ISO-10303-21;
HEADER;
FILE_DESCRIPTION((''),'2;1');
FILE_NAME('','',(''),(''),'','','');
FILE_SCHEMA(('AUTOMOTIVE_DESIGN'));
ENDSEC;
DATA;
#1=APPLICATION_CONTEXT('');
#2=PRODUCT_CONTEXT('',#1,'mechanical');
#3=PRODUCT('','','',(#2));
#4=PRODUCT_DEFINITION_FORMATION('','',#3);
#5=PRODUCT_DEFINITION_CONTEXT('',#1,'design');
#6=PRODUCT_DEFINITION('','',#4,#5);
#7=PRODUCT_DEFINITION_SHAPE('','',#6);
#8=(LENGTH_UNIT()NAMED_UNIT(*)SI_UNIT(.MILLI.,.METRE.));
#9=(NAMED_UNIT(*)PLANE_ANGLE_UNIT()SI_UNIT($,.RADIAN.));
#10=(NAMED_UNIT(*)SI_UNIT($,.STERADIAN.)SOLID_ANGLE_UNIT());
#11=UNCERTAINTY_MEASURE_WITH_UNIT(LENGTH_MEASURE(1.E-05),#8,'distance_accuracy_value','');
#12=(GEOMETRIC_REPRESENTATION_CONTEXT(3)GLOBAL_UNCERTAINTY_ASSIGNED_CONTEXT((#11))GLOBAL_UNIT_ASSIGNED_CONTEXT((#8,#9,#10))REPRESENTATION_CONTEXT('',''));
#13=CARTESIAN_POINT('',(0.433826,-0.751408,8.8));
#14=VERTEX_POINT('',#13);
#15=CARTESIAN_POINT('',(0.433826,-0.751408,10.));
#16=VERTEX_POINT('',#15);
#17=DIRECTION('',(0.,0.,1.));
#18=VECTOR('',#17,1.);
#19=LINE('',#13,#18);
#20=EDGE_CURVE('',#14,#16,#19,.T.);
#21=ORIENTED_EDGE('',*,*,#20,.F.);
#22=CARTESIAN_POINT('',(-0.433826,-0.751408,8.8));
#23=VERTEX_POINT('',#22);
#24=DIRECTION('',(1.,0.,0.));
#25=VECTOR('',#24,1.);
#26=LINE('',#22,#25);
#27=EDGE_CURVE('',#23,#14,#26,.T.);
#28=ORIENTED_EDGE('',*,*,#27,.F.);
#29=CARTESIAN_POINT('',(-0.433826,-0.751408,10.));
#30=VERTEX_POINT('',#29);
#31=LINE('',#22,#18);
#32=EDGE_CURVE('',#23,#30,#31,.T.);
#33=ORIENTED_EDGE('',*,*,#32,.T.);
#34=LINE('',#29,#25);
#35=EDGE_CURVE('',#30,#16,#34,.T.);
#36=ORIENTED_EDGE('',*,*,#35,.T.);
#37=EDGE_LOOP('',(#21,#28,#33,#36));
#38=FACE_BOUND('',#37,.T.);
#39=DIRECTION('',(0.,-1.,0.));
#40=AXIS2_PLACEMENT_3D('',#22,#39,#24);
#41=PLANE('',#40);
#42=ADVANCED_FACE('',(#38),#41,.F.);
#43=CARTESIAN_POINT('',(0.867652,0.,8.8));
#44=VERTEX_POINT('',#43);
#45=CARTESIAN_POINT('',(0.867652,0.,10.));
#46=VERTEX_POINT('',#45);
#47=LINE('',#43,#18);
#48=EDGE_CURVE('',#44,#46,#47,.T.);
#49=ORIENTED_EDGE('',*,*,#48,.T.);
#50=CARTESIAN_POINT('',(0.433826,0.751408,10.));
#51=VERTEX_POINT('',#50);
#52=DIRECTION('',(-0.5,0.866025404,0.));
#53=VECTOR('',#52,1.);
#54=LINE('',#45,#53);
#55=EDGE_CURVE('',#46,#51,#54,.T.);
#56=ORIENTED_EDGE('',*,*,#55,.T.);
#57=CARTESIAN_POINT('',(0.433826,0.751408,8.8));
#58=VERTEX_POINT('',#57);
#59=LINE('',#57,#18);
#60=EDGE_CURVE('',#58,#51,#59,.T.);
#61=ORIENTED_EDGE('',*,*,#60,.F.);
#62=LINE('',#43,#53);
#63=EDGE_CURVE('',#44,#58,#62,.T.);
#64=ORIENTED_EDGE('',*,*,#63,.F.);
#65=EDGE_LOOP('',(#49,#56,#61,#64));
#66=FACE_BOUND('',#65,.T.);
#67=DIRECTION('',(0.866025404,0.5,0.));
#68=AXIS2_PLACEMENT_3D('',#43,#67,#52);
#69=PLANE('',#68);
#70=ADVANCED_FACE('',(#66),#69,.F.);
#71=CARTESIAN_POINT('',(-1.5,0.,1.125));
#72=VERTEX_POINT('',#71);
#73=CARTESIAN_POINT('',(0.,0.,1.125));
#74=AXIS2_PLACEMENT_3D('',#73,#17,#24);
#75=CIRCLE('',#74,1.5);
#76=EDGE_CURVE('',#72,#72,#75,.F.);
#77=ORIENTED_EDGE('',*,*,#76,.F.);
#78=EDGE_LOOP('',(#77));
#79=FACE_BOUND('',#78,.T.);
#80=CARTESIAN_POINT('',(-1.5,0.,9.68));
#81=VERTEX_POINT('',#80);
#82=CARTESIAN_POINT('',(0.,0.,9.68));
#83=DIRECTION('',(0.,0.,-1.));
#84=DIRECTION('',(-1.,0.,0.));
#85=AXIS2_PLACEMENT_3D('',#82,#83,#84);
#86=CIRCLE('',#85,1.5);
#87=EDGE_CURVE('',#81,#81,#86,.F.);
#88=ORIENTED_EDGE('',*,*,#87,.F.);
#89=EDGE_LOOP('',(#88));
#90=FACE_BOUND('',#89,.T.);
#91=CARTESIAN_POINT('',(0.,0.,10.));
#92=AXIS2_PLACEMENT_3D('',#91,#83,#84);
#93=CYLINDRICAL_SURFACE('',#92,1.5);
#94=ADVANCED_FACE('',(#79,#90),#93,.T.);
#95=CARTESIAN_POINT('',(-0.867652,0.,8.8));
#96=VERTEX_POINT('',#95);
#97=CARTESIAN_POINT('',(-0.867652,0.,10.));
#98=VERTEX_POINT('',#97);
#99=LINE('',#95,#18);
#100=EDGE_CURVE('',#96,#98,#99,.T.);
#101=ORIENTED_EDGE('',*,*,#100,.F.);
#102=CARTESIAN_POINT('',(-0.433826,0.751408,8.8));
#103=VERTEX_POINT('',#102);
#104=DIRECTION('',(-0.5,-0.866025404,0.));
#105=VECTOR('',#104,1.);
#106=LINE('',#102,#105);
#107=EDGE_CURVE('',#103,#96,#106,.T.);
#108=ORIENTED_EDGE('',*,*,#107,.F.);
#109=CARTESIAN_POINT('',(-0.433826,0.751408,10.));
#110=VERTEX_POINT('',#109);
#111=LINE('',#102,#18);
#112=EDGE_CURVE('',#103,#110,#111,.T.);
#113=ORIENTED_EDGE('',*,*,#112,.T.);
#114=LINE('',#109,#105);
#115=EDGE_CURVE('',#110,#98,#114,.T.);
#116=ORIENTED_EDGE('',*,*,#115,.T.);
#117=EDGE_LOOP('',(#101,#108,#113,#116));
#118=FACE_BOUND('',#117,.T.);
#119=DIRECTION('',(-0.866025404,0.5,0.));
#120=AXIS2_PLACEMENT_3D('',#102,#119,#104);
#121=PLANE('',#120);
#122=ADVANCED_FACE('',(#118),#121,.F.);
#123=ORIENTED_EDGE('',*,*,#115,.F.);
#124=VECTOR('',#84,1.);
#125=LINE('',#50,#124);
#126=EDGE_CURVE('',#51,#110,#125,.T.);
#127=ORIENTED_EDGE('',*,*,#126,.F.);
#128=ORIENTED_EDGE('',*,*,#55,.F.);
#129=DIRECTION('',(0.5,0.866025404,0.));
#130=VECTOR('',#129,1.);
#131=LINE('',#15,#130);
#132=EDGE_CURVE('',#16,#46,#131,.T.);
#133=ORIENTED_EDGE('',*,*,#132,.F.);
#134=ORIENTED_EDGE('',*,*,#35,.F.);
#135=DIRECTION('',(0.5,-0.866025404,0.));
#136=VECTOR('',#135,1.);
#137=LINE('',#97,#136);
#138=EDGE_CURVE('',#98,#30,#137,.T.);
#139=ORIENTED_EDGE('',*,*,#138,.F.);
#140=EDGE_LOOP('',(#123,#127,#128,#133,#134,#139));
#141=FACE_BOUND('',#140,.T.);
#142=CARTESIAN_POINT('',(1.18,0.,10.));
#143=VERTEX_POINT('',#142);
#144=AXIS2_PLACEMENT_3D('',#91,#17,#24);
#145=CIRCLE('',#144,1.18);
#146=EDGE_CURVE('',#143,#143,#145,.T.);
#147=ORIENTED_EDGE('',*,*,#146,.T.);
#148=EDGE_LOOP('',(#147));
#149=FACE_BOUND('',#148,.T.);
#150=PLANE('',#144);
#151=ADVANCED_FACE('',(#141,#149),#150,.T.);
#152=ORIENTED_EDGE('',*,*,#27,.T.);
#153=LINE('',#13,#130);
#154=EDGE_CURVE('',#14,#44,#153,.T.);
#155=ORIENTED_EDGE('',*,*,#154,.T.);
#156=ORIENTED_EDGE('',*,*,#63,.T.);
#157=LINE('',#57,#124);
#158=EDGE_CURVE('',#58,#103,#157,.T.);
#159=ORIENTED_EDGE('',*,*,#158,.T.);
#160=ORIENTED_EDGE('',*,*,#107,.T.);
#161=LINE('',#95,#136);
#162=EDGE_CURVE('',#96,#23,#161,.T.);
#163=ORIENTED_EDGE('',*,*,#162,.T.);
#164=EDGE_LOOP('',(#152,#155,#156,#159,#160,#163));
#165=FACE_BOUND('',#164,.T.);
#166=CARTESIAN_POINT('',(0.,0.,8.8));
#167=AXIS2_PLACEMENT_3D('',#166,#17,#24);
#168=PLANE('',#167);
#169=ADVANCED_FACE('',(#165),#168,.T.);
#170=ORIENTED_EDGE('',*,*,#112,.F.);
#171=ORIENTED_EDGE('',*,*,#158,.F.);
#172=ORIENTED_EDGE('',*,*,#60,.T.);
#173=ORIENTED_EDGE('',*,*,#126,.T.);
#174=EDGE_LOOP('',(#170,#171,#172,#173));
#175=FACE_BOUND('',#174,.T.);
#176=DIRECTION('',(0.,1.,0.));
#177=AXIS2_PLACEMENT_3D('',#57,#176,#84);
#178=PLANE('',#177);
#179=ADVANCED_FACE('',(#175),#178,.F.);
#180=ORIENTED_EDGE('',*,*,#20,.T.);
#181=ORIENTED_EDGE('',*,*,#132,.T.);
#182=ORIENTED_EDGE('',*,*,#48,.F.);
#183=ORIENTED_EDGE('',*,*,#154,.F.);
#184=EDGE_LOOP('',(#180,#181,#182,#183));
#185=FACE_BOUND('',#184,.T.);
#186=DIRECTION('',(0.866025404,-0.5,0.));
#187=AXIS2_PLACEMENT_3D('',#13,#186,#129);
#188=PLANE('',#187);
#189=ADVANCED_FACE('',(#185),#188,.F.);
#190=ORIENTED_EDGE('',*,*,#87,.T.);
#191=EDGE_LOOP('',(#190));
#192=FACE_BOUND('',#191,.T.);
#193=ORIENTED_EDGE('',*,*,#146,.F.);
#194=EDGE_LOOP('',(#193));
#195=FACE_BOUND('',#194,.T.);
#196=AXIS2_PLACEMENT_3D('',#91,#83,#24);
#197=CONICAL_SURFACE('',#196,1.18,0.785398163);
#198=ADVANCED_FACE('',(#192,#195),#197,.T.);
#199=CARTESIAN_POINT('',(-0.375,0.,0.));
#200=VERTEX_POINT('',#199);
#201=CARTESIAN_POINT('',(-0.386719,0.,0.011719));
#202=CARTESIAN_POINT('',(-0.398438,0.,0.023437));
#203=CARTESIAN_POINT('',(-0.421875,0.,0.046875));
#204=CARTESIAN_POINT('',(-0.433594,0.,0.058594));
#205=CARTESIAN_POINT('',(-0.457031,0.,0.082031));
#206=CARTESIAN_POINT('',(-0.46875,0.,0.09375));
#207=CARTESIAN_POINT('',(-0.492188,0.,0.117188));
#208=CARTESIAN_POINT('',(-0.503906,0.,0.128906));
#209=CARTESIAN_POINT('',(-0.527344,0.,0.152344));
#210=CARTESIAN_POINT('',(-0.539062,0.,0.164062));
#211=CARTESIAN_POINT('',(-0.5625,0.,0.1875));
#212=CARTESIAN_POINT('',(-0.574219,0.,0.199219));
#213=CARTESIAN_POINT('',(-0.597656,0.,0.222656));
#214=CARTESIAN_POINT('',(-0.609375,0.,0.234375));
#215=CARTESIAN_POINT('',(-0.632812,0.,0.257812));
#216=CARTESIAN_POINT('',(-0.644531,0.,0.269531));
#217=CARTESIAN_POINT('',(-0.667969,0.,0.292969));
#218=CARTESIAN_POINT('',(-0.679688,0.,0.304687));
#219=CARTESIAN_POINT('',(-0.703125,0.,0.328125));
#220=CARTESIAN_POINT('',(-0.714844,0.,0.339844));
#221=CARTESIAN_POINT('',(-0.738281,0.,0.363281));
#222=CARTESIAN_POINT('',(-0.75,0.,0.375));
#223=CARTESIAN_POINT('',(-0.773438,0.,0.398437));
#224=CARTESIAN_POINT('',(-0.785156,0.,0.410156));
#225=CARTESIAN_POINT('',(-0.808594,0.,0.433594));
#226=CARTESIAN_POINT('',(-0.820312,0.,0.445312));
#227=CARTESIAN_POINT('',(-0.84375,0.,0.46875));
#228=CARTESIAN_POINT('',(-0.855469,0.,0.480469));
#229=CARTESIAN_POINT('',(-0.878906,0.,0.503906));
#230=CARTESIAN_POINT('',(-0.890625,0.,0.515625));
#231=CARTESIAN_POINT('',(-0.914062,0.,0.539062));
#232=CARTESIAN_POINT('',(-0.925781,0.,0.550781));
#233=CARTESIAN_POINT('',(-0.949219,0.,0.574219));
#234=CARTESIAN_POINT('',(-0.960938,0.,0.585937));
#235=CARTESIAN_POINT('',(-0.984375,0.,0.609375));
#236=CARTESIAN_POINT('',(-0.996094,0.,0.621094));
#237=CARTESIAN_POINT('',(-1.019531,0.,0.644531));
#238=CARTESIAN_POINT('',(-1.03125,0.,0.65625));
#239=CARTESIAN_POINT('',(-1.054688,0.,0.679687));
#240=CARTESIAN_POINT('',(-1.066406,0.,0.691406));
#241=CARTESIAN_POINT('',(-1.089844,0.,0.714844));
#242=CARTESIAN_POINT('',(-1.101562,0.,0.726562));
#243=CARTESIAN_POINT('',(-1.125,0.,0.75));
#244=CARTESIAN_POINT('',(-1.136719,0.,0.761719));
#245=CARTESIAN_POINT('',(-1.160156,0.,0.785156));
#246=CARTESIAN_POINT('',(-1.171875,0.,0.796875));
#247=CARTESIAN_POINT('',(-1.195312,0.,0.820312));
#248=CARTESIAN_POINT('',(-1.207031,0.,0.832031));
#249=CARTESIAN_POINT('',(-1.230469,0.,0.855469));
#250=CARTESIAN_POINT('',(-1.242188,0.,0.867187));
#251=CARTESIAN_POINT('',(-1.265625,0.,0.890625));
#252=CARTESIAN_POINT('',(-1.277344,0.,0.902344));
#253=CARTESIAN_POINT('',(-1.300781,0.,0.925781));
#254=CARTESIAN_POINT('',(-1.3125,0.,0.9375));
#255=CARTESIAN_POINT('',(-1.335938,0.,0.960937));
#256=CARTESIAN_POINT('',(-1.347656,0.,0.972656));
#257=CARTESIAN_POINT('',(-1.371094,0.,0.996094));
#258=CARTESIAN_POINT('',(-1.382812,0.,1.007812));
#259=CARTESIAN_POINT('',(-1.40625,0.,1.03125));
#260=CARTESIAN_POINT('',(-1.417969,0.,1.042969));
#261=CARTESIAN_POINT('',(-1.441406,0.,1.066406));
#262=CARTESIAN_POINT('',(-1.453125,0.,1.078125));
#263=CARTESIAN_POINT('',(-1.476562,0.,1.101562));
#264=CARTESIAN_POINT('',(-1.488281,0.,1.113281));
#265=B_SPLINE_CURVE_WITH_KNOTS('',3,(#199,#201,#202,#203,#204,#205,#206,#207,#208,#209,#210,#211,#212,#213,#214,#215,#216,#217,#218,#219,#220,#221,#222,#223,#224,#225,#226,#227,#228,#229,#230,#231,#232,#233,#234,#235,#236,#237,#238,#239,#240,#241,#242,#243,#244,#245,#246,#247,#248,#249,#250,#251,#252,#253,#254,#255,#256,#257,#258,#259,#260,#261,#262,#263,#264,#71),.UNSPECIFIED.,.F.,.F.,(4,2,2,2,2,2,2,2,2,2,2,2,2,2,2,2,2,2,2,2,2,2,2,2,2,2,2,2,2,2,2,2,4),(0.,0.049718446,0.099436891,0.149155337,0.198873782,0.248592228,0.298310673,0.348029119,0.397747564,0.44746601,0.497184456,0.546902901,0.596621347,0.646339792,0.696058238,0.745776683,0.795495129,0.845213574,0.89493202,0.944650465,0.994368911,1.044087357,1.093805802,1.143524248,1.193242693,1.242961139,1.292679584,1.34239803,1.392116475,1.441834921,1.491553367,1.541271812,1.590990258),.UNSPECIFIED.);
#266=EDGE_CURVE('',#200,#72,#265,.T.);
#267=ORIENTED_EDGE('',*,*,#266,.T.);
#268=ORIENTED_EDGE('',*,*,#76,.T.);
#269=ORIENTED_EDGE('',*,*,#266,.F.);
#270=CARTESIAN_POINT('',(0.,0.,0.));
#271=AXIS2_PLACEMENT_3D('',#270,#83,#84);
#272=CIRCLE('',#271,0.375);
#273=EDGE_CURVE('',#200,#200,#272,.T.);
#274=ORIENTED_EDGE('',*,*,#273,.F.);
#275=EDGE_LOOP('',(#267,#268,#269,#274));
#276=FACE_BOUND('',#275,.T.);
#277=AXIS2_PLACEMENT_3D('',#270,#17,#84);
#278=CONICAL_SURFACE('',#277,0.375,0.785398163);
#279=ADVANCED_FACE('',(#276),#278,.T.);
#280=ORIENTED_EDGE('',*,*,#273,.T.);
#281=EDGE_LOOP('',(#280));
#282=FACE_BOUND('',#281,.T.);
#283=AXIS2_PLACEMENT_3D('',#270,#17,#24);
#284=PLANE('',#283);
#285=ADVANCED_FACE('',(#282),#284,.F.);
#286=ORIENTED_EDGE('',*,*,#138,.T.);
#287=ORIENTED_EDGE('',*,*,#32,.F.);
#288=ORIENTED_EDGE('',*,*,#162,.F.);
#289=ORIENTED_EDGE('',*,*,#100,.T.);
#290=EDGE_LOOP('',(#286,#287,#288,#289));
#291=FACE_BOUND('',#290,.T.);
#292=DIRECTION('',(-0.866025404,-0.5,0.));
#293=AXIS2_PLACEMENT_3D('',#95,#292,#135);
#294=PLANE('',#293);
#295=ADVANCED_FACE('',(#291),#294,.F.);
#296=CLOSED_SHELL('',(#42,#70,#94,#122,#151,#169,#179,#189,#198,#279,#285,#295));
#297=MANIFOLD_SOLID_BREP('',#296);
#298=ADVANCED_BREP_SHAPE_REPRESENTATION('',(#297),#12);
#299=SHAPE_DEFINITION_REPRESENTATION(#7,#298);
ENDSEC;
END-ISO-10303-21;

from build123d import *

# Parameters (mm, degrees)
SKETCH1_R           = 1.5
BOSS_EXTRUDE1_DEPTH = 10
CUT_EXTRUDE1_DEPTH  = 1.2
SKETCH3_OUTSIDE_W   = 9.572
SKETCH3_OUTSIDE_H   = 9.572
SKETCH3_OUTSIDE_R   = 1.18
CUT_EXTRUDE2_DEPTH  = 1.2
CUT_EXTRUDE2_DRAFT  = -45
SKETCH4_OUTSIDE_W   = 9.572
SKETCH4_OUTSIDE_H   = 9.572
SKETCH4_OUTSIDE_R   = 0.375
CUT_EXTRUDE3_DEPTH  = 1.2
CUT_EXTRUDE3_DRAFT  = -45


with BuildPart() as part:
    # Sketch1 → Boss-Extrude1 (new body)
    with BuildSketch(Plane.XY):
        Circle(SKETCH1_R)
    extrude(amount=BOSS_EXTRUDE1_DEPTH)

    # Sketch2 → Cut-Extrude1 (cut)
    with BuildSketch(Plane.XY.offset(10)):
        Polygon((0.867651504, 0), (0.433825752, 0.751408244), (-0.433825752, 0.751408244), (-0.867651504, 0), (-0.433825752, -0.751408244), (0.433825752, -0.751408244), align=None)
    extrude(amount=-CUT_EXTRUDE1_DEPTH, mode=Mode.SUBTRACT)


with BuildPart() as cut_extrude2_tool:
    # Sketch3 outside → Cut-Extrude2 (with draft: the straight prism first)
    with BuildSketch(Plane.XY.offset(10)):
        Rectangle(SKETCH3_OUTSIDE_W, SKETCH3_OUTSIDE_H)
        Circle(SKETCH3_OUTSIDE_R, mode=Mode.SUBTRACT)
    extrude(amount=-CUT_EXTRUDE2_DEPTH)
    # Cut-Extrude2: the draft: its side faces are tilted about the plane it starts from
    cut_extrude2_sides = [cut_extrude2_tool.faces().sort_by_distance(p)[0] for p in [
        (0, -4.786, 9.4),
        (4.786, 0, 9.4),
        (0, 4.786, 9.4),
        (-4.786, 0, 9.4),
        (-1.18, 0, 9.4),
    ]]
    draft(cut_extrude2_sides, Plane.XY.offset(10), CUT_EXTRUDE2_DRAFT)


with BuildPart() as part_1:
    add(part.part)

    # Cut-Extrude2: cut by cut_extrude2_tool
    add(cut_extrude2_tool.part, mode=Mode.SUBTRACT)


with BuildPart() as cut_extrude3_tool:
    # Sketch4 outside → Cut-Extrude3 (with draft: the straight prism first)
    with BuildSketch(Plane(origin=(0, 0, 0), x_dir=(-1, 0, 0), z_dir=(0, 0, -1))):
        Rectangle(SKETCH4_OUTSIDE_W, SKETCH4_OUTSIDE_H)
        Circle(SKETCH4_OUTSIDE_R, mode=Mode.SUBTRACT)
    extrude(amount=-CUT_EXTRUDE3_DEPTH)
    # Cut-Extrude3: the draft: its side faces are tilted about the plane it starts from
    cut_extrude3_sides = [cut_extrude3_tool.faces().sort_by_distance(p)[0] for p in [
        (0, -4.786, 0.6),
        (-4.786, 0, 0.6),
        (0, 4.786, 0.6),
        (4.786, 0, 0.6),
        (0.375, 0, 0.6),
    ]]
    draft(cut_extrude3_sides, Plane(origin=(0, 0, 0), x_dir=(-1, 0, 0), z_dir=(0, 0, -1)), CUT_EXTRUDE3_DRAFT)


with BuildPart() as part_2:
    add(part_1.part)

    # Cut-Extrude3: cut by cut_extrude3_tool
    add(cut_extrude3_tool.part, mode=Mode.SUBTRACT)


solid = part_2.part
